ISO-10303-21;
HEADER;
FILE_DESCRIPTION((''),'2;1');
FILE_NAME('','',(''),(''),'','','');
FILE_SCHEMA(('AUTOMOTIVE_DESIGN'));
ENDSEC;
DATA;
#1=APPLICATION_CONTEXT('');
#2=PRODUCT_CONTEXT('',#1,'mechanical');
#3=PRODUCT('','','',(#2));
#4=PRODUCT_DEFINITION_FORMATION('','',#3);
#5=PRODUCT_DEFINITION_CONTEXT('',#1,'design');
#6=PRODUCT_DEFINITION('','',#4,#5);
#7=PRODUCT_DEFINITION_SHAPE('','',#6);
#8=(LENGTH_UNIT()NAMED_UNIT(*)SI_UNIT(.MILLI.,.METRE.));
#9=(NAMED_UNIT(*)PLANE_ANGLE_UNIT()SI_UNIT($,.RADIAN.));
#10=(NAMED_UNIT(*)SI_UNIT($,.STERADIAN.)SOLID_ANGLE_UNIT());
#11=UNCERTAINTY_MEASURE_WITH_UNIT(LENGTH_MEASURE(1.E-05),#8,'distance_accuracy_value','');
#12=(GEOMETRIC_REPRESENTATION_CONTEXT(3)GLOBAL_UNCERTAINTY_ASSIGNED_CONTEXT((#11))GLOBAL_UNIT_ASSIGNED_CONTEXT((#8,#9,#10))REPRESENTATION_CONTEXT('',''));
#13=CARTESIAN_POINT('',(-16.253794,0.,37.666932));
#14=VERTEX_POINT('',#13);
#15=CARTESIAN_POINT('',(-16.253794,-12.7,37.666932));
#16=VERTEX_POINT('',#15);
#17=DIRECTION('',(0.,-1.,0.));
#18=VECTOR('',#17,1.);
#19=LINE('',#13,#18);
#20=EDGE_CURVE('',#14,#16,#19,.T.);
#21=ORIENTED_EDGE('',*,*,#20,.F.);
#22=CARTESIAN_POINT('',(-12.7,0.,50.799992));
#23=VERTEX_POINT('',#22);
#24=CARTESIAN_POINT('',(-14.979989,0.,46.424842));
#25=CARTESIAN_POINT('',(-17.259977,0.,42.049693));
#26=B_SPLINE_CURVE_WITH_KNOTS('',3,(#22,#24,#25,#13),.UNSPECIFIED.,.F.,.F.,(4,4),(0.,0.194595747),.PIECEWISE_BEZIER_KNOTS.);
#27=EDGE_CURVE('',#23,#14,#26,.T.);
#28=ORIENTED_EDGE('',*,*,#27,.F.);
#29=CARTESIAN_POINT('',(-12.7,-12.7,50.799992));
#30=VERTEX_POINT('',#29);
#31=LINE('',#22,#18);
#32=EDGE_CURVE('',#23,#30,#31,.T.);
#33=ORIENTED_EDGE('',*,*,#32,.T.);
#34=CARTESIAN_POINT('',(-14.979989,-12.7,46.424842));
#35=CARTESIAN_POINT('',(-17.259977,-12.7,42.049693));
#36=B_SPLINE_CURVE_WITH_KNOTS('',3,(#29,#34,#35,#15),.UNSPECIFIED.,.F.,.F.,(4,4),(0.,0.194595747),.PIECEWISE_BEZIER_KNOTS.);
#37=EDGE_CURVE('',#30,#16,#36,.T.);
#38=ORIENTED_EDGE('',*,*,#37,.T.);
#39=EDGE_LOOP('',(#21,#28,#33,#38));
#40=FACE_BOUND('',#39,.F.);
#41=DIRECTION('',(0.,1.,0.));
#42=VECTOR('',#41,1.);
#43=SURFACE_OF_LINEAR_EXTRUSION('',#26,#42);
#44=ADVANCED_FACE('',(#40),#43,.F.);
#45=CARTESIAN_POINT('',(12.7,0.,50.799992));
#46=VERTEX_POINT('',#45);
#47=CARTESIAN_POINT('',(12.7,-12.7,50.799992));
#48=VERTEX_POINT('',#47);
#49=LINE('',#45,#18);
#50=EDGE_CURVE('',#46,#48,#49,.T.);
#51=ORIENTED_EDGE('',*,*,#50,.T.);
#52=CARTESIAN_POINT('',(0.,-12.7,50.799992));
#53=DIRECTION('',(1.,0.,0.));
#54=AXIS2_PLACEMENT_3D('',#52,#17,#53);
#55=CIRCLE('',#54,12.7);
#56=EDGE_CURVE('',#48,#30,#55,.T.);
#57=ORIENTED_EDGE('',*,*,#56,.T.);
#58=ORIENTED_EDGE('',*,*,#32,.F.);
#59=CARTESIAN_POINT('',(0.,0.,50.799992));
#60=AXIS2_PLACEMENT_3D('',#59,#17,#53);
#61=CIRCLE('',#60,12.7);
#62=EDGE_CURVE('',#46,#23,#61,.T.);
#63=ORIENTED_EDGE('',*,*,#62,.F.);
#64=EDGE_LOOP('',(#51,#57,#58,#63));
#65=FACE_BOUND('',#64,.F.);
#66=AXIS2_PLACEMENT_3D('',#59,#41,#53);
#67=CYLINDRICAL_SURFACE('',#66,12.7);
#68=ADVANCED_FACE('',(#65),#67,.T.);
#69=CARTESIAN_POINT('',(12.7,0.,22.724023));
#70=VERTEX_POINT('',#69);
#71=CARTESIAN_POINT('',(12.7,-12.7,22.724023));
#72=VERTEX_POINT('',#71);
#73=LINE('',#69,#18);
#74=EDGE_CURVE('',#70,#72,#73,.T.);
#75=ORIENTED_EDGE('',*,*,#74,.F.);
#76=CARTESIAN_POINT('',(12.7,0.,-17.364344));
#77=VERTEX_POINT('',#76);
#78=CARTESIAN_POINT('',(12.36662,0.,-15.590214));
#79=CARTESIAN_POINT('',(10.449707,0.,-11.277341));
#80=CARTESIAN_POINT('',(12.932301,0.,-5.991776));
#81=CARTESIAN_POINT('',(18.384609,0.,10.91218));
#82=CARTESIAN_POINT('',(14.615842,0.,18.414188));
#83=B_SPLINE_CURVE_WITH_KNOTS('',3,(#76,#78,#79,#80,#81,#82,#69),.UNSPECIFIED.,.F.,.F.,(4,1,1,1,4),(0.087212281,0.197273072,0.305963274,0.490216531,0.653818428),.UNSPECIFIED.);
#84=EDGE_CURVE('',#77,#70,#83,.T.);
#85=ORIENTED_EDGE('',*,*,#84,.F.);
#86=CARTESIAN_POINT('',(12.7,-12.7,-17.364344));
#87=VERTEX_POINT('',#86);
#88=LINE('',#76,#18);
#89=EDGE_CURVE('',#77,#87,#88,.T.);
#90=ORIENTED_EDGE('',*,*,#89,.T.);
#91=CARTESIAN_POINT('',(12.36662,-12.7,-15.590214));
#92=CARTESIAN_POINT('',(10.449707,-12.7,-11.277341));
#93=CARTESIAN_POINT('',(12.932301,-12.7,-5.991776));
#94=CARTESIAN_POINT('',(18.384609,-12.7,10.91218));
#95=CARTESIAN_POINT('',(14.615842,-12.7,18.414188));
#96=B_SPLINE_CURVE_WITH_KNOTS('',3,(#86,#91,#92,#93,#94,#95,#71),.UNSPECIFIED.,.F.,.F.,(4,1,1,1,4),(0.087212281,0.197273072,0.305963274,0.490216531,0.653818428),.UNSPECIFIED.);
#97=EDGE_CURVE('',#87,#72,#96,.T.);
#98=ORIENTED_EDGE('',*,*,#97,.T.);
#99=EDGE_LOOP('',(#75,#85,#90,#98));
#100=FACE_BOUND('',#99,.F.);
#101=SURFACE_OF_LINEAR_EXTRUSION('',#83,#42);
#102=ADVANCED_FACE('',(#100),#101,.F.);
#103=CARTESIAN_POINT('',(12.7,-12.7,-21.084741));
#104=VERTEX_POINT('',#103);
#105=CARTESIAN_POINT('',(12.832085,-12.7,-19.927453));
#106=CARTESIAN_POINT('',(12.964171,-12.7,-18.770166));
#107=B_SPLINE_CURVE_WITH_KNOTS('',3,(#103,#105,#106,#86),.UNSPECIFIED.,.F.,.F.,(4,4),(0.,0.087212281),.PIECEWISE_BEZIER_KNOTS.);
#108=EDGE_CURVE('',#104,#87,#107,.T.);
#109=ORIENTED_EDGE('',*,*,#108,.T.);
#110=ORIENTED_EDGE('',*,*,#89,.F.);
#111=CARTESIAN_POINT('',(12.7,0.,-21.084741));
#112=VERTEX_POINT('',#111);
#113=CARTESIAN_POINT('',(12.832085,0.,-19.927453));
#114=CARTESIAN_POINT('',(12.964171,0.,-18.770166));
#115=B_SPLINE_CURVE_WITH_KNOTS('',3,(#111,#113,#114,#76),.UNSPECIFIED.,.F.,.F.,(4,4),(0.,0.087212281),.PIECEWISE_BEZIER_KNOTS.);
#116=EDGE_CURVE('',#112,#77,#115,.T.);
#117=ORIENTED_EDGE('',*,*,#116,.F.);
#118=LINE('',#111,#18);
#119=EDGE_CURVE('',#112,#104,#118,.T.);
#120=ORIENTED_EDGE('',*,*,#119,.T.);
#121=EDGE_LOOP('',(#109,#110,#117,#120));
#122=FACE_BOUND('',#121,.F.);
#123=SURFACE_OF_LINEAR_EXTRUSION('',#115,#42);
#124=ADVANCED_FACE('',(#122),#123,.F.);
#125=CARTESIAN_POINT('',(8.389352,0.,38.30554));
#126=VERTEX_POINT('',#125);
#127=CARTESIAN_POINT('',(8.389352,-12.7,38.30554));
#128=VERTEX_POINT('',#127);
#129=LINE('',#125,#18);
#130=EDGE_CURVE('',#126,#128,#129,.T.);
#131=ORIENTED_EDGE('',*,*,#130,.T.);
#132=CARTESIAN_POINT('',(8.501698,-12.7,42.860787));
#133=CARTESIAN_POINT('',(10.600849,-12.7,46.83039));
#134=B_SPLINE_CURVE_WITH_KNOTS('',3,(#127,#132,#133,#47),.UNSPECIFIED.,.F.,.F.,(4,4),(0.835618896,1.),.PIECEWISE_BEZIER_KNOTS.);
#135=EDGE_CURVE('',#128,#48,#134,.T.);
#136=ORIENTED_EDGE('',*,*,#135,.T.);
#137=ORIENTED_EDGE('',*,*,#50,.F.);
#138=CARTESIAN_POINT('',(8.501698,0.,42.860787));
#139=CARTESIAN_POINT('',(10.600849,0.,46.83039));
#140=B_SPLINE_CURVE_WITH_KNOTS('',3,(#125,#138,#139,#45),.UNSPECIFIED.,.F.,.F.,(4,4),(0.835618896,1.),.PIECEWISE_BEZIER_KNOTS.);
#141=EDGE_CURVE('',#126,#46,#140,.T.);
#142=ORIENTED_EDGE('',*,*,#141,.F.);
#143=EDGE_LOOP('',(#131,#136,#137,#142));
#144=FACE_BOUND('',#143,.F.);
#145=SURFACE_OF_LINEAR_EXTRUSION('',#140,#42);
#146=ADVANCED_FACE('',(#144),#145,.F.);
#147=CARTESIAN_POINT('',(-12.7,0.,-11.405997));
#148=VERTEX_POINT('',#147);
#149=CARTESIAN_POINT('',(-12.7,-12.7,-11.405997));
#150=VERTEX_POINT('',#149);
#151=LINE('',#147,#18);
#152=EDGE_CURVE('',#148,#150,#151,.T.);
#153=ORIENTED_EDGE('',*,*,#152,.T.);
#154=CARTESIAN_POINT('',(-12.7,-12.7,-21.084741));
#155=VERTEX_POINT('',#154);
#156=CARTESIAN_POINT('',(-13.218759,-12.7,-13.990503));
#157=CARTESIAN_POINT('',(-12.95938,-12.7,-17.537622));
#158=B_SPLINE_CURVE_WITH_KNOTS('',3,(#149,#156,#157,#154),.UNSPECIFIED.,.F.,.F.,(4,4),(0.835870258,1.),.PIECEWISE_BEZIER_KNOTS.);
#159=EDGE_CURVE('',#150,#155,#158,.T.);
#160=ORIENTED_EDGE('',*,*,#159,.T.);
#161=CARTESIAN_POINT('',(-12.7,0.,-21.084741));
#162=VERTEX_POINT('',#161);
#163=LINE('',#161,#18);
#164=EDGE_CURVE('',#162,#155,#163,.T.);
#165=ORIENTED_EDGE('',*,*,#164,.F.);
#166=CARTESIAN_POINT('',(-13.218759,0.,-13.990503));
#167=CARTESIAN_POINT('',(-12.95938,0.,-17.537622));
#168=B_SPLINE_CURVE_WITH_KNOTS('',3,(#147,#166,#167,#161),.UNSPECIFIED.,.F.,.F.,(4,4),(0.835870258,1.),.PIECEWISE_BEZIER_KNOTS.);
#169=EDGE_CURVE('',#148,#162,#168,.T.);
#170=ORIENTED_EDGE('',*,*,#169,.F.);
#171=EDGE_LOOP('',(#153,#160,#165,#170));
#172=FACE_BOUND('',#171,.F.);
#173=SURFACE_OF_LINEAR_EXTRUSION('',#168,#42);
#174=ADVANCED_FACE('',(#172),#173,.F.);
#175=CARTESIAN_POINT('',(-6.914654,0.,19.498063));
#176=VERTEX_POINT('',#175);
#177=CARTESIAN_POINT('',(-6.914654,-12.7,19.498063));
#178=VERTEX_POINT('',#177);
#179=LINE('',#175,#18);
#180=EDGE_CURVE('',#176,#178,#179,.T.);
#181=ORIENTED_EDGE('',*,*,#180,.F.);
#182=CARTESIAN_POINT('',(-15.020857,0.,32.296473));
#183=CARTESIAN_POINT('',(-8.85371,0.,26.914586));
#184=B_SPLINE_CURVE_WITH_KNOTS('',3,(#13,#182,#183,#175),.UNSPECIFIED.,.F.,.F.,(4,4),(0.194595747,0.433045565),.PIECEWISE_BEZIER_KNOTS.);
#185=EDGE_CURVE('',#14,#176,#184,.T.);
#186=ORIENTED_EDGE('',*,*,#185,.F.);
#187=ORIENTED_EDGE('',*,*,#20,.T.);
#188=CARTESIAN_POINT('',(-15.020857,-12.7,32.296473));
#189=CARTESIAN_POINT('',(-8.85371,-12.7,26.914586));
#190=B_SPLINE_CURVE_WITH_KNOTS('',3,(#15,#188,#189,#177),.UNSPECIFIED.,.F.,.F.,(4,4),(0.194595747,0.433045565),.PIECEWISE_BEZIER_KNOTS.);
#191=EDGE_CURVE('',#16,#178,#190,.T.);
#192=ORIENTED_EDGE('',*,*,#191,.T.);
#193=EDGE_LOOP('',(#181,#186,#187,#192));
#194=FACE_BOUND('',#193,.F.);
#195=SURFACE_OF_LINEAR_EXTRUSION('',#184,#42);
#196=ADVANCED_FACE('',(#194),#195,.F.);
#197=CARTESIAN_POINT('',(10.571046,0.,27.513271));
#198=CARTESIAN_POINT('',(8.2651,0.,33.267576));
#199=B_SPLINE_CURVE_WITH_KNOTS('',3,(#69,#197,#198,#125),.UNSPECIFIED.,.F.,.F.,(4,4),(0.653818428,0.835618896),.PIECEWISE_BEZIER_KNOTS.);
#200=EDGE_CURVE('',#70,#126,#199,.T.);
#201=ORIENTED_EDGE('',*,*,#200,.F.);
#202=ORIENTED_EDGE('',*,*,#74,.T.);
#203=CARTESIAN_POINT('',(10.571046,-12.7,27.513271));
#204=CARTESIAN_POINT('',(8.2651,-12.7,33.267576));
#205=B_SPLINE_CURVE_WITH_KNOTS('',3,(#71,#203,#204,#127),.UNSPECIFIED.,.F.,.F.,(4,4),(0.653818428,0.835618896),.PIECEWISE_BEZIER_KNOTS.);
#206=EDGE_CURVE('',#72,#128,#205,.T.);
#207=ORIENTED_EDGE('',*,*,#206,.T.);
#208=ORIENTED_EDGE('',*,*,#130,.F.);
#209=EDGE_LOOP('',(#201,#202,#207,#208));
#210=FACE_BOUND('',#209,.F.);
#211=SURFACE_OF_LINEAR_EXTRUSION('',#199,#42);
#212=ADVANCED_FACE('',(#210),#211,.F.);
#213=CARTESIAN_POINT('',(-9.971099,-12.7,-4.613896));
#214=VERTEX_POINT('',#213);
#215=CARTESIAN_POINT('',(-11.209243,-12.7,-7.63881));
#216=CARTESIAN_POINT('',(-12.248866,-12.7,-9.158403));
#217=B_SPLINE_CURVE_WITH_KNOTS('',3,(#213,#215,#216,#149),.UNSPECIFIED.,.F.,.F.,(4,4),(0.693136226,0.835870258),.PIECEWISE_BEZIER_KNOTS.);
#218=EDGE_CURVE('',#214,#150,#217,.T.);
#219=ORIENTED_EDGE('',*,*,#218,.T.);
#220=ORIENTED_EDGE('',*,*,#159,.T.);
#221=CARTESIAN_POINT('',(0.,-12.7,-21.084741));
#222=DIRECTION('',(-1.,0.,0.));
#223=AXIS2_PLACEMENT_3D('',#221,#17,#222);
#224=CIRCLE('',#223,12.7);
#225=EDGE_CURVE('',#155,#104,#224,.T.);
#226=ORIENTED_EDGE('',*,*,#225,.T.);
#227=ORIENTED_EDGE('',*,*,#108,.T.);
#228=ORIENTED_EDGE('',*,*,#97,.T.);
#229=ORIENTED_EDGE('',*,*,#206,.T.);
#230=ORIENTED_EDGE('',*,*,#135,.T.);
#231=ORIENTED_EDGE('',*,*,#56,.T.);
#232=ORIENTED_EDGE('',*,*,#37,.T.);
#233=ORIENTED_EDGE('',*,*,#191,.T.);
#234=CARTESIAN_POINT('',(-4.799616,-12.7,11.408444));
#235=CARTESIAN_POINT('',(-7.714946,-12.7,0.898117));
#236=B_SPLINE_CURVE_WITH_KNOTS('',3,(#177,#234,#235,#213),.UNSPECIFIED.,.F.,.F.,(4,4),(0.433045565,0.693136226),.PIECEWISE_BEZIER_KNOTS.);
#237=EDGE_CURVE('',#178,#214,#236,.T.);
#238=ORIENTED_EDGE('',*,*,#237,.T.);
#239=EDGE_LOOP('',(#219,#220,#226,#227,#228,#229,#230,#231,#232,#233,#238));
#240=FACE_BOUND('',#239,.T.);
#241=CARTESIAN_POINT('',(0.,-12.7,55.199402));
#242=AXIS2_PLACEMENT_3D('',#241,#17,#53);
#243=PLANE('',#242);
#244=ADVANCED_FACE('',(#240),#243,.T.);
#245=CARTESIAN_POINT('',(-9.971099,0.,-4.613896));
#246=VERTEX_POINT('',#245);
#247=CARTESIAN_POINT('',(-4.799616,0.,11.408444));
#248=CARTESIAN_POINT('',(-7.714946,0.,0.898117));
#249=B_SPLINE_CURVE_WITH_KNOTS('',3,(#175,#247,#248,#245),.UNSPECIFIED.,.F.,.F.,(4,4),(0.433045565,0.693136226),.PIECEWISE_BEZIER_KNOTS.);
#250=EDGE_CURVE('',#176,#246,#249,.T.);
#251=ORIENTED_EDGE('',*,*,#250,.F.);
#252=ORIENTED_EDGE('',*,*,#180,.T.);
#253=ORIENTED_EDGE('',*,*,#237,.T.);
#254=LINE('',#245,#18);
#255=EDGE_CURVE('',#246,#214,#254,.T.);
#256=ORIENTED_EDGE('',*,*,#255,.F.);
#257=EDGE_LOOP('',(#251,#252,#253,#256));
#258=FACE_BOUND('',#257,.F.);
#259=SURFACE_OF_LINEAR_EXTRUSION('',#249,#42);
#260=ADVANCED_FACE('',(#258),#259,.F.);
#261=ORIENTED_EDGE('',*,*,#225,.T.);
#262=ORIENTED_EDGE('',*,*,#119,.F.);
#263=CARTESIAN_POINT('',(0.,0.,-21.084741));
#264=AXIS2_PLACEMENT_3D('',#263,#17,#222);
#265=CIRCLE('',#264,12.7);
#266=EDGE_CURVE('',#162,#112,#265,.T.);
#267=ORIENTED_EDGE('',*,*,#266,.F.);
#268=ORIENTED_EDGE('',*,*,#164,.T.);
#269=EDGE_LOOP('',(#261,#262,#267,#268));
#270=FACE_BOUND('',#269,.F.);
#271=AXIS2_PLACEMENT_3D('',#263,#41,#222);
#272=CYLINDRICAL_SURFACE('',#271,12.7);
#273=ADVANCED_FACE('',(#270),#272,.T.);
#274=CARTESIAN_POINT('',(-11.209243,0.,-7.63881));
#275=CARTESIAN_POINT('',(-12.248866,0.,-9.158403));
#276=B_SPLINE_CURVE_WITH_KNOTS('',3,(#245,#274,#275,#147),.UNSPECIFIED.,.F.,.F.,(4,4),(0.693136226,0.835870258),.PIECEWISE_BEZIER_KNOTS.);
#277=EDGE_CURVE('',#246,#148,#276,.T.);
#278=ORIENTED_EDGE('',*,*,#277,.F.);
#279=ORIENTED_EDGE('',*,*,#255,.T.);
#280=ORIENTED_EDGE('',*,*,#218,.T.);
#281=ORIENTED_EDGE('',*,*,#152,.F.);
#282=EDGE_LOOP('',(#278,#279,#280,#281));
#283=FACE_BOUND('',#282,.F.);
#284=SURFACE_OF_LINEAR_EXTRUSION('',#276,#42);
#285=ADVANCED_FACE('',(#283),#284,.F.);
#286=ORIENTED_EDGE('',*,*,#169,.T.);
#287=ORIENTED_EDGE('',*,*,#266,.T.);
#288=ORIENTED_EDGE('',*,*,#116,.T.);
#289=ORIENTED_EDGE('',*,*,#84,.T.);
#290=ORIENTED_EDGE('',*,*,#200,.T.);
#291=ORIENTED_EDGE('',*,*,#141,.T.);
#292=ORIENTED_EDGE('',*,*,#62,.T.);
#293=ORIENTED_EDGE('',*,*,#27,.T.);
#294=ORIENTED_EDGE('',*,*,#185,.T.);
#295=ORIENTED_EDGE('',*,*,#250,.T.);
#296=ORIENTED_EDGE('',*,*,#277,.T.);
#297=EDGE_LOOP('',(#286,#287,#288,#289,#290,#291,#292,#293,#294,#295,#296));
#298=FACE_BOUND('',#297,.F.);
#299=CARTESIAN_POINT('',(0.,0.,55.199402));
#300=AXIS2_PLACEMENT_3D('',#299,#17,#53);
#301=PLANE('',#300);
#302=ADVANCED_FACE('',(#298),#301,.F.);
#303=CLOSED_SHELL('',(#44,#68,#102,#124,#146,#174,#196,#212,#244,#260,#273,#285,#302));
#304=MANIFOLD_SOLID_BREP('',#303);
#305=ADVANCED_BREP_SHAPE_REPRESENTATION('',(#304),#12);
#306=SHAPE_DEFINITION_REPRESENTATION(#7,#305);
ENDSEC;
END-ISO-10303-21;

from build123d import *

# Parameters (mm, degrees)
F1_DEPTH = 12.7


with BuildPart() as f1:
    # F0 (on Front) → F1 (new body)
    with BuildSketch(Plane.XZ):
        with BuildLine():
            Line((-12.7, 50.7999924695), (12.7, 50.7999924695))
            ThreePointArc((12.7, 50.7999924695), (0, 63.4999924695), (-12.7, 50.7999924695))
        make_face()
        with BuildLine():
            add(Edge.make_bspline(
                [(8.3893518895, 38.3055396378), (8.5016980453, 42.8607866704), (10.6008490226, 46.8303895699), (12.7, 50.7999924695)],
                knots=[0.8356188955, 0.8356188955, 0.8356188955, 0.8356188955, 1, 1, 1, 1], degree=3))
            Line((12.7, 50.7999924695), (-12.7, 50.7999924695))
            add(Edge.make_bspline(
                [(-12.7, 50.7999924695), (-14.9799885812, 46.4248424892), (-17.2599771624, 42.0496925089), (-16.2537936121, 37.6669317484)],
                knots=[0, 0, 0, 0, 0.1945957474, 0.1945957474, 0.1945957474, 0.1945957474], degree=3))
            Line((-16.2537936121, 37.6669317484), (8.3893518895, 38.3055396378))
        make_face()
        with BuildLine():
            add(Edge.make_bspline(
                [(12.7, 22.7240230888), (10.5710456649, 27.5132709031), (8.2651004819, 33.2675759272), (8.3893518895, 38.3055396378)],
                knots=[0.6538184283, 0.6538184283, 0.6538184283, 0.6538184283, 0.8356188955, 0.8356188955, 0.8356188955, 0.8356188955], degree=3))
            Line((8.3893518895, 38.3055396378), (-16.2537936121, 37.6669317484))
            add(Edge.make_bspline(
                [(-16.2537936121, 37.6669317484), (-15.0208566806, 32.2964726486), (-8.8537100143, 26.9145859108), (-6.9146538153, 19.4980632514)],
                knots=[0.1945957474, 0.1945957474, 0.1945957474, 0.1945957474, 0.4330455646, 0.4330455646, 0.4330455646, 0.4330455646], degree=3))
            Line((-6.9146538153, 19.4980632514), (12.7, 22.7240230888))
        make_face()
        with BuildLine():
            add(Edge.make_bspline(
                [(16.4083112031, 10.1680448279), (16.3883538394, 14.8858723271), (14.6158419839, 18.414188029), (12.7, 22.7240230888)],
                knots=[0.4902165313, 0.4902165313, 0.4902165313, 0.4902165313, 0.6538184283, 0.6538184283, 0.6538184283, 0.6538184283], degree=3))
            Line((12.7, 22.7240230888), (-6.9146538153, 19.4980632514))
            add(Edge.make_bspline(
                [(-6.9146538153, 19.4980632514), (-4.7996158768, 11.4084437731), (-7.7149464627, 0.898117222), (-9.9710989743, -4.6138959005)],
                knots=[0.4330455646, 0.4330455646, 0.4330455646, 0.4330455646, 0.6931362263, 0.6931362263, 0.6931362263, 0.6931362263], degree=3))
            Line((-9.9710989743, -4.6138959005), (16.4083112031, 10.1680448279))
        make_face()
        with BuildLine():
            add(Edge.make_bspline(
                [(12.7, -17.3643436283), (12.36662001, -15.5902142731), (10.4497065439, -11.2773407147), (12.9323010606, -5.9917759341), (16.4307877717, 4.8546890646), (16.4083112031, 10.1680448279)],
                knots=[0.0872122808, 0.0872122808, 0.0872122808, 0.0872122808, 0.1972730717, 0.3059632744, 0.4902165313, 0.4902165313, 0.4902165313, 0.4902165313], degree=3))
            Line((16.4083112031, 10.1680448279), (-9.9710989743, -4.6138959005))
            add(Edge.make_bspline(
                [(-9.9710989743, -4.6138959005), (-11.2092431706, -7.6388097847), (-12.2488655239, -9.158402979), (-12.7, -11.4059969783)],
                knots=[0.6931362263, 0.6931362263, 0.6931362263, 0.6931362263, 0.8358702576, 0.8358702576, 0.8358702576, 0.8358702576], degree=3))
            Line((-12.7, -11.4059969783), (12.7, -17.3643436283))
        make_face()
        with BuildLine():
            add(Edge.make_bspline(
                [(12.7, -21.0847407579), (12.8320853189, -19.9274531315), (12.9641706378, -18.7701655051), (12.7, -17.3643436283)],
                knots=[0, 0, 0, 0, 0.0872122808, 0.0872122808, 0.0872122808, 0.0872122808], degree=3))
            Line((12.7, -17.3643436283), (-12.7, -11.4059969783))
            add(Edge.make_bspline(
                [(-12.7, -11.4059969783), (-13.2187591539, -13.9905034242), (-12.959379577, -17.5376220911), (-12.7, -21.0847407579)],
                knots=[0.8358702576, 0.8358702576, 0.8358702576, 0.8358702576, 1, 1, 1, 1], degree=3))
            Line((-12.7, -21.0847407579), (12.7, -21.0847407579))
        make_face()
        with BuildLine():
            ThreePointArc((-12.7, -21.0847407579), (0, -33.7847407579), (12.7, -21.0847407579))
            Line((12.7, -21.0847407579), (-12.7, -21.0847407579))
        make_face()
    extrude(amount=F1_DEPTH)


solid = f1.part
